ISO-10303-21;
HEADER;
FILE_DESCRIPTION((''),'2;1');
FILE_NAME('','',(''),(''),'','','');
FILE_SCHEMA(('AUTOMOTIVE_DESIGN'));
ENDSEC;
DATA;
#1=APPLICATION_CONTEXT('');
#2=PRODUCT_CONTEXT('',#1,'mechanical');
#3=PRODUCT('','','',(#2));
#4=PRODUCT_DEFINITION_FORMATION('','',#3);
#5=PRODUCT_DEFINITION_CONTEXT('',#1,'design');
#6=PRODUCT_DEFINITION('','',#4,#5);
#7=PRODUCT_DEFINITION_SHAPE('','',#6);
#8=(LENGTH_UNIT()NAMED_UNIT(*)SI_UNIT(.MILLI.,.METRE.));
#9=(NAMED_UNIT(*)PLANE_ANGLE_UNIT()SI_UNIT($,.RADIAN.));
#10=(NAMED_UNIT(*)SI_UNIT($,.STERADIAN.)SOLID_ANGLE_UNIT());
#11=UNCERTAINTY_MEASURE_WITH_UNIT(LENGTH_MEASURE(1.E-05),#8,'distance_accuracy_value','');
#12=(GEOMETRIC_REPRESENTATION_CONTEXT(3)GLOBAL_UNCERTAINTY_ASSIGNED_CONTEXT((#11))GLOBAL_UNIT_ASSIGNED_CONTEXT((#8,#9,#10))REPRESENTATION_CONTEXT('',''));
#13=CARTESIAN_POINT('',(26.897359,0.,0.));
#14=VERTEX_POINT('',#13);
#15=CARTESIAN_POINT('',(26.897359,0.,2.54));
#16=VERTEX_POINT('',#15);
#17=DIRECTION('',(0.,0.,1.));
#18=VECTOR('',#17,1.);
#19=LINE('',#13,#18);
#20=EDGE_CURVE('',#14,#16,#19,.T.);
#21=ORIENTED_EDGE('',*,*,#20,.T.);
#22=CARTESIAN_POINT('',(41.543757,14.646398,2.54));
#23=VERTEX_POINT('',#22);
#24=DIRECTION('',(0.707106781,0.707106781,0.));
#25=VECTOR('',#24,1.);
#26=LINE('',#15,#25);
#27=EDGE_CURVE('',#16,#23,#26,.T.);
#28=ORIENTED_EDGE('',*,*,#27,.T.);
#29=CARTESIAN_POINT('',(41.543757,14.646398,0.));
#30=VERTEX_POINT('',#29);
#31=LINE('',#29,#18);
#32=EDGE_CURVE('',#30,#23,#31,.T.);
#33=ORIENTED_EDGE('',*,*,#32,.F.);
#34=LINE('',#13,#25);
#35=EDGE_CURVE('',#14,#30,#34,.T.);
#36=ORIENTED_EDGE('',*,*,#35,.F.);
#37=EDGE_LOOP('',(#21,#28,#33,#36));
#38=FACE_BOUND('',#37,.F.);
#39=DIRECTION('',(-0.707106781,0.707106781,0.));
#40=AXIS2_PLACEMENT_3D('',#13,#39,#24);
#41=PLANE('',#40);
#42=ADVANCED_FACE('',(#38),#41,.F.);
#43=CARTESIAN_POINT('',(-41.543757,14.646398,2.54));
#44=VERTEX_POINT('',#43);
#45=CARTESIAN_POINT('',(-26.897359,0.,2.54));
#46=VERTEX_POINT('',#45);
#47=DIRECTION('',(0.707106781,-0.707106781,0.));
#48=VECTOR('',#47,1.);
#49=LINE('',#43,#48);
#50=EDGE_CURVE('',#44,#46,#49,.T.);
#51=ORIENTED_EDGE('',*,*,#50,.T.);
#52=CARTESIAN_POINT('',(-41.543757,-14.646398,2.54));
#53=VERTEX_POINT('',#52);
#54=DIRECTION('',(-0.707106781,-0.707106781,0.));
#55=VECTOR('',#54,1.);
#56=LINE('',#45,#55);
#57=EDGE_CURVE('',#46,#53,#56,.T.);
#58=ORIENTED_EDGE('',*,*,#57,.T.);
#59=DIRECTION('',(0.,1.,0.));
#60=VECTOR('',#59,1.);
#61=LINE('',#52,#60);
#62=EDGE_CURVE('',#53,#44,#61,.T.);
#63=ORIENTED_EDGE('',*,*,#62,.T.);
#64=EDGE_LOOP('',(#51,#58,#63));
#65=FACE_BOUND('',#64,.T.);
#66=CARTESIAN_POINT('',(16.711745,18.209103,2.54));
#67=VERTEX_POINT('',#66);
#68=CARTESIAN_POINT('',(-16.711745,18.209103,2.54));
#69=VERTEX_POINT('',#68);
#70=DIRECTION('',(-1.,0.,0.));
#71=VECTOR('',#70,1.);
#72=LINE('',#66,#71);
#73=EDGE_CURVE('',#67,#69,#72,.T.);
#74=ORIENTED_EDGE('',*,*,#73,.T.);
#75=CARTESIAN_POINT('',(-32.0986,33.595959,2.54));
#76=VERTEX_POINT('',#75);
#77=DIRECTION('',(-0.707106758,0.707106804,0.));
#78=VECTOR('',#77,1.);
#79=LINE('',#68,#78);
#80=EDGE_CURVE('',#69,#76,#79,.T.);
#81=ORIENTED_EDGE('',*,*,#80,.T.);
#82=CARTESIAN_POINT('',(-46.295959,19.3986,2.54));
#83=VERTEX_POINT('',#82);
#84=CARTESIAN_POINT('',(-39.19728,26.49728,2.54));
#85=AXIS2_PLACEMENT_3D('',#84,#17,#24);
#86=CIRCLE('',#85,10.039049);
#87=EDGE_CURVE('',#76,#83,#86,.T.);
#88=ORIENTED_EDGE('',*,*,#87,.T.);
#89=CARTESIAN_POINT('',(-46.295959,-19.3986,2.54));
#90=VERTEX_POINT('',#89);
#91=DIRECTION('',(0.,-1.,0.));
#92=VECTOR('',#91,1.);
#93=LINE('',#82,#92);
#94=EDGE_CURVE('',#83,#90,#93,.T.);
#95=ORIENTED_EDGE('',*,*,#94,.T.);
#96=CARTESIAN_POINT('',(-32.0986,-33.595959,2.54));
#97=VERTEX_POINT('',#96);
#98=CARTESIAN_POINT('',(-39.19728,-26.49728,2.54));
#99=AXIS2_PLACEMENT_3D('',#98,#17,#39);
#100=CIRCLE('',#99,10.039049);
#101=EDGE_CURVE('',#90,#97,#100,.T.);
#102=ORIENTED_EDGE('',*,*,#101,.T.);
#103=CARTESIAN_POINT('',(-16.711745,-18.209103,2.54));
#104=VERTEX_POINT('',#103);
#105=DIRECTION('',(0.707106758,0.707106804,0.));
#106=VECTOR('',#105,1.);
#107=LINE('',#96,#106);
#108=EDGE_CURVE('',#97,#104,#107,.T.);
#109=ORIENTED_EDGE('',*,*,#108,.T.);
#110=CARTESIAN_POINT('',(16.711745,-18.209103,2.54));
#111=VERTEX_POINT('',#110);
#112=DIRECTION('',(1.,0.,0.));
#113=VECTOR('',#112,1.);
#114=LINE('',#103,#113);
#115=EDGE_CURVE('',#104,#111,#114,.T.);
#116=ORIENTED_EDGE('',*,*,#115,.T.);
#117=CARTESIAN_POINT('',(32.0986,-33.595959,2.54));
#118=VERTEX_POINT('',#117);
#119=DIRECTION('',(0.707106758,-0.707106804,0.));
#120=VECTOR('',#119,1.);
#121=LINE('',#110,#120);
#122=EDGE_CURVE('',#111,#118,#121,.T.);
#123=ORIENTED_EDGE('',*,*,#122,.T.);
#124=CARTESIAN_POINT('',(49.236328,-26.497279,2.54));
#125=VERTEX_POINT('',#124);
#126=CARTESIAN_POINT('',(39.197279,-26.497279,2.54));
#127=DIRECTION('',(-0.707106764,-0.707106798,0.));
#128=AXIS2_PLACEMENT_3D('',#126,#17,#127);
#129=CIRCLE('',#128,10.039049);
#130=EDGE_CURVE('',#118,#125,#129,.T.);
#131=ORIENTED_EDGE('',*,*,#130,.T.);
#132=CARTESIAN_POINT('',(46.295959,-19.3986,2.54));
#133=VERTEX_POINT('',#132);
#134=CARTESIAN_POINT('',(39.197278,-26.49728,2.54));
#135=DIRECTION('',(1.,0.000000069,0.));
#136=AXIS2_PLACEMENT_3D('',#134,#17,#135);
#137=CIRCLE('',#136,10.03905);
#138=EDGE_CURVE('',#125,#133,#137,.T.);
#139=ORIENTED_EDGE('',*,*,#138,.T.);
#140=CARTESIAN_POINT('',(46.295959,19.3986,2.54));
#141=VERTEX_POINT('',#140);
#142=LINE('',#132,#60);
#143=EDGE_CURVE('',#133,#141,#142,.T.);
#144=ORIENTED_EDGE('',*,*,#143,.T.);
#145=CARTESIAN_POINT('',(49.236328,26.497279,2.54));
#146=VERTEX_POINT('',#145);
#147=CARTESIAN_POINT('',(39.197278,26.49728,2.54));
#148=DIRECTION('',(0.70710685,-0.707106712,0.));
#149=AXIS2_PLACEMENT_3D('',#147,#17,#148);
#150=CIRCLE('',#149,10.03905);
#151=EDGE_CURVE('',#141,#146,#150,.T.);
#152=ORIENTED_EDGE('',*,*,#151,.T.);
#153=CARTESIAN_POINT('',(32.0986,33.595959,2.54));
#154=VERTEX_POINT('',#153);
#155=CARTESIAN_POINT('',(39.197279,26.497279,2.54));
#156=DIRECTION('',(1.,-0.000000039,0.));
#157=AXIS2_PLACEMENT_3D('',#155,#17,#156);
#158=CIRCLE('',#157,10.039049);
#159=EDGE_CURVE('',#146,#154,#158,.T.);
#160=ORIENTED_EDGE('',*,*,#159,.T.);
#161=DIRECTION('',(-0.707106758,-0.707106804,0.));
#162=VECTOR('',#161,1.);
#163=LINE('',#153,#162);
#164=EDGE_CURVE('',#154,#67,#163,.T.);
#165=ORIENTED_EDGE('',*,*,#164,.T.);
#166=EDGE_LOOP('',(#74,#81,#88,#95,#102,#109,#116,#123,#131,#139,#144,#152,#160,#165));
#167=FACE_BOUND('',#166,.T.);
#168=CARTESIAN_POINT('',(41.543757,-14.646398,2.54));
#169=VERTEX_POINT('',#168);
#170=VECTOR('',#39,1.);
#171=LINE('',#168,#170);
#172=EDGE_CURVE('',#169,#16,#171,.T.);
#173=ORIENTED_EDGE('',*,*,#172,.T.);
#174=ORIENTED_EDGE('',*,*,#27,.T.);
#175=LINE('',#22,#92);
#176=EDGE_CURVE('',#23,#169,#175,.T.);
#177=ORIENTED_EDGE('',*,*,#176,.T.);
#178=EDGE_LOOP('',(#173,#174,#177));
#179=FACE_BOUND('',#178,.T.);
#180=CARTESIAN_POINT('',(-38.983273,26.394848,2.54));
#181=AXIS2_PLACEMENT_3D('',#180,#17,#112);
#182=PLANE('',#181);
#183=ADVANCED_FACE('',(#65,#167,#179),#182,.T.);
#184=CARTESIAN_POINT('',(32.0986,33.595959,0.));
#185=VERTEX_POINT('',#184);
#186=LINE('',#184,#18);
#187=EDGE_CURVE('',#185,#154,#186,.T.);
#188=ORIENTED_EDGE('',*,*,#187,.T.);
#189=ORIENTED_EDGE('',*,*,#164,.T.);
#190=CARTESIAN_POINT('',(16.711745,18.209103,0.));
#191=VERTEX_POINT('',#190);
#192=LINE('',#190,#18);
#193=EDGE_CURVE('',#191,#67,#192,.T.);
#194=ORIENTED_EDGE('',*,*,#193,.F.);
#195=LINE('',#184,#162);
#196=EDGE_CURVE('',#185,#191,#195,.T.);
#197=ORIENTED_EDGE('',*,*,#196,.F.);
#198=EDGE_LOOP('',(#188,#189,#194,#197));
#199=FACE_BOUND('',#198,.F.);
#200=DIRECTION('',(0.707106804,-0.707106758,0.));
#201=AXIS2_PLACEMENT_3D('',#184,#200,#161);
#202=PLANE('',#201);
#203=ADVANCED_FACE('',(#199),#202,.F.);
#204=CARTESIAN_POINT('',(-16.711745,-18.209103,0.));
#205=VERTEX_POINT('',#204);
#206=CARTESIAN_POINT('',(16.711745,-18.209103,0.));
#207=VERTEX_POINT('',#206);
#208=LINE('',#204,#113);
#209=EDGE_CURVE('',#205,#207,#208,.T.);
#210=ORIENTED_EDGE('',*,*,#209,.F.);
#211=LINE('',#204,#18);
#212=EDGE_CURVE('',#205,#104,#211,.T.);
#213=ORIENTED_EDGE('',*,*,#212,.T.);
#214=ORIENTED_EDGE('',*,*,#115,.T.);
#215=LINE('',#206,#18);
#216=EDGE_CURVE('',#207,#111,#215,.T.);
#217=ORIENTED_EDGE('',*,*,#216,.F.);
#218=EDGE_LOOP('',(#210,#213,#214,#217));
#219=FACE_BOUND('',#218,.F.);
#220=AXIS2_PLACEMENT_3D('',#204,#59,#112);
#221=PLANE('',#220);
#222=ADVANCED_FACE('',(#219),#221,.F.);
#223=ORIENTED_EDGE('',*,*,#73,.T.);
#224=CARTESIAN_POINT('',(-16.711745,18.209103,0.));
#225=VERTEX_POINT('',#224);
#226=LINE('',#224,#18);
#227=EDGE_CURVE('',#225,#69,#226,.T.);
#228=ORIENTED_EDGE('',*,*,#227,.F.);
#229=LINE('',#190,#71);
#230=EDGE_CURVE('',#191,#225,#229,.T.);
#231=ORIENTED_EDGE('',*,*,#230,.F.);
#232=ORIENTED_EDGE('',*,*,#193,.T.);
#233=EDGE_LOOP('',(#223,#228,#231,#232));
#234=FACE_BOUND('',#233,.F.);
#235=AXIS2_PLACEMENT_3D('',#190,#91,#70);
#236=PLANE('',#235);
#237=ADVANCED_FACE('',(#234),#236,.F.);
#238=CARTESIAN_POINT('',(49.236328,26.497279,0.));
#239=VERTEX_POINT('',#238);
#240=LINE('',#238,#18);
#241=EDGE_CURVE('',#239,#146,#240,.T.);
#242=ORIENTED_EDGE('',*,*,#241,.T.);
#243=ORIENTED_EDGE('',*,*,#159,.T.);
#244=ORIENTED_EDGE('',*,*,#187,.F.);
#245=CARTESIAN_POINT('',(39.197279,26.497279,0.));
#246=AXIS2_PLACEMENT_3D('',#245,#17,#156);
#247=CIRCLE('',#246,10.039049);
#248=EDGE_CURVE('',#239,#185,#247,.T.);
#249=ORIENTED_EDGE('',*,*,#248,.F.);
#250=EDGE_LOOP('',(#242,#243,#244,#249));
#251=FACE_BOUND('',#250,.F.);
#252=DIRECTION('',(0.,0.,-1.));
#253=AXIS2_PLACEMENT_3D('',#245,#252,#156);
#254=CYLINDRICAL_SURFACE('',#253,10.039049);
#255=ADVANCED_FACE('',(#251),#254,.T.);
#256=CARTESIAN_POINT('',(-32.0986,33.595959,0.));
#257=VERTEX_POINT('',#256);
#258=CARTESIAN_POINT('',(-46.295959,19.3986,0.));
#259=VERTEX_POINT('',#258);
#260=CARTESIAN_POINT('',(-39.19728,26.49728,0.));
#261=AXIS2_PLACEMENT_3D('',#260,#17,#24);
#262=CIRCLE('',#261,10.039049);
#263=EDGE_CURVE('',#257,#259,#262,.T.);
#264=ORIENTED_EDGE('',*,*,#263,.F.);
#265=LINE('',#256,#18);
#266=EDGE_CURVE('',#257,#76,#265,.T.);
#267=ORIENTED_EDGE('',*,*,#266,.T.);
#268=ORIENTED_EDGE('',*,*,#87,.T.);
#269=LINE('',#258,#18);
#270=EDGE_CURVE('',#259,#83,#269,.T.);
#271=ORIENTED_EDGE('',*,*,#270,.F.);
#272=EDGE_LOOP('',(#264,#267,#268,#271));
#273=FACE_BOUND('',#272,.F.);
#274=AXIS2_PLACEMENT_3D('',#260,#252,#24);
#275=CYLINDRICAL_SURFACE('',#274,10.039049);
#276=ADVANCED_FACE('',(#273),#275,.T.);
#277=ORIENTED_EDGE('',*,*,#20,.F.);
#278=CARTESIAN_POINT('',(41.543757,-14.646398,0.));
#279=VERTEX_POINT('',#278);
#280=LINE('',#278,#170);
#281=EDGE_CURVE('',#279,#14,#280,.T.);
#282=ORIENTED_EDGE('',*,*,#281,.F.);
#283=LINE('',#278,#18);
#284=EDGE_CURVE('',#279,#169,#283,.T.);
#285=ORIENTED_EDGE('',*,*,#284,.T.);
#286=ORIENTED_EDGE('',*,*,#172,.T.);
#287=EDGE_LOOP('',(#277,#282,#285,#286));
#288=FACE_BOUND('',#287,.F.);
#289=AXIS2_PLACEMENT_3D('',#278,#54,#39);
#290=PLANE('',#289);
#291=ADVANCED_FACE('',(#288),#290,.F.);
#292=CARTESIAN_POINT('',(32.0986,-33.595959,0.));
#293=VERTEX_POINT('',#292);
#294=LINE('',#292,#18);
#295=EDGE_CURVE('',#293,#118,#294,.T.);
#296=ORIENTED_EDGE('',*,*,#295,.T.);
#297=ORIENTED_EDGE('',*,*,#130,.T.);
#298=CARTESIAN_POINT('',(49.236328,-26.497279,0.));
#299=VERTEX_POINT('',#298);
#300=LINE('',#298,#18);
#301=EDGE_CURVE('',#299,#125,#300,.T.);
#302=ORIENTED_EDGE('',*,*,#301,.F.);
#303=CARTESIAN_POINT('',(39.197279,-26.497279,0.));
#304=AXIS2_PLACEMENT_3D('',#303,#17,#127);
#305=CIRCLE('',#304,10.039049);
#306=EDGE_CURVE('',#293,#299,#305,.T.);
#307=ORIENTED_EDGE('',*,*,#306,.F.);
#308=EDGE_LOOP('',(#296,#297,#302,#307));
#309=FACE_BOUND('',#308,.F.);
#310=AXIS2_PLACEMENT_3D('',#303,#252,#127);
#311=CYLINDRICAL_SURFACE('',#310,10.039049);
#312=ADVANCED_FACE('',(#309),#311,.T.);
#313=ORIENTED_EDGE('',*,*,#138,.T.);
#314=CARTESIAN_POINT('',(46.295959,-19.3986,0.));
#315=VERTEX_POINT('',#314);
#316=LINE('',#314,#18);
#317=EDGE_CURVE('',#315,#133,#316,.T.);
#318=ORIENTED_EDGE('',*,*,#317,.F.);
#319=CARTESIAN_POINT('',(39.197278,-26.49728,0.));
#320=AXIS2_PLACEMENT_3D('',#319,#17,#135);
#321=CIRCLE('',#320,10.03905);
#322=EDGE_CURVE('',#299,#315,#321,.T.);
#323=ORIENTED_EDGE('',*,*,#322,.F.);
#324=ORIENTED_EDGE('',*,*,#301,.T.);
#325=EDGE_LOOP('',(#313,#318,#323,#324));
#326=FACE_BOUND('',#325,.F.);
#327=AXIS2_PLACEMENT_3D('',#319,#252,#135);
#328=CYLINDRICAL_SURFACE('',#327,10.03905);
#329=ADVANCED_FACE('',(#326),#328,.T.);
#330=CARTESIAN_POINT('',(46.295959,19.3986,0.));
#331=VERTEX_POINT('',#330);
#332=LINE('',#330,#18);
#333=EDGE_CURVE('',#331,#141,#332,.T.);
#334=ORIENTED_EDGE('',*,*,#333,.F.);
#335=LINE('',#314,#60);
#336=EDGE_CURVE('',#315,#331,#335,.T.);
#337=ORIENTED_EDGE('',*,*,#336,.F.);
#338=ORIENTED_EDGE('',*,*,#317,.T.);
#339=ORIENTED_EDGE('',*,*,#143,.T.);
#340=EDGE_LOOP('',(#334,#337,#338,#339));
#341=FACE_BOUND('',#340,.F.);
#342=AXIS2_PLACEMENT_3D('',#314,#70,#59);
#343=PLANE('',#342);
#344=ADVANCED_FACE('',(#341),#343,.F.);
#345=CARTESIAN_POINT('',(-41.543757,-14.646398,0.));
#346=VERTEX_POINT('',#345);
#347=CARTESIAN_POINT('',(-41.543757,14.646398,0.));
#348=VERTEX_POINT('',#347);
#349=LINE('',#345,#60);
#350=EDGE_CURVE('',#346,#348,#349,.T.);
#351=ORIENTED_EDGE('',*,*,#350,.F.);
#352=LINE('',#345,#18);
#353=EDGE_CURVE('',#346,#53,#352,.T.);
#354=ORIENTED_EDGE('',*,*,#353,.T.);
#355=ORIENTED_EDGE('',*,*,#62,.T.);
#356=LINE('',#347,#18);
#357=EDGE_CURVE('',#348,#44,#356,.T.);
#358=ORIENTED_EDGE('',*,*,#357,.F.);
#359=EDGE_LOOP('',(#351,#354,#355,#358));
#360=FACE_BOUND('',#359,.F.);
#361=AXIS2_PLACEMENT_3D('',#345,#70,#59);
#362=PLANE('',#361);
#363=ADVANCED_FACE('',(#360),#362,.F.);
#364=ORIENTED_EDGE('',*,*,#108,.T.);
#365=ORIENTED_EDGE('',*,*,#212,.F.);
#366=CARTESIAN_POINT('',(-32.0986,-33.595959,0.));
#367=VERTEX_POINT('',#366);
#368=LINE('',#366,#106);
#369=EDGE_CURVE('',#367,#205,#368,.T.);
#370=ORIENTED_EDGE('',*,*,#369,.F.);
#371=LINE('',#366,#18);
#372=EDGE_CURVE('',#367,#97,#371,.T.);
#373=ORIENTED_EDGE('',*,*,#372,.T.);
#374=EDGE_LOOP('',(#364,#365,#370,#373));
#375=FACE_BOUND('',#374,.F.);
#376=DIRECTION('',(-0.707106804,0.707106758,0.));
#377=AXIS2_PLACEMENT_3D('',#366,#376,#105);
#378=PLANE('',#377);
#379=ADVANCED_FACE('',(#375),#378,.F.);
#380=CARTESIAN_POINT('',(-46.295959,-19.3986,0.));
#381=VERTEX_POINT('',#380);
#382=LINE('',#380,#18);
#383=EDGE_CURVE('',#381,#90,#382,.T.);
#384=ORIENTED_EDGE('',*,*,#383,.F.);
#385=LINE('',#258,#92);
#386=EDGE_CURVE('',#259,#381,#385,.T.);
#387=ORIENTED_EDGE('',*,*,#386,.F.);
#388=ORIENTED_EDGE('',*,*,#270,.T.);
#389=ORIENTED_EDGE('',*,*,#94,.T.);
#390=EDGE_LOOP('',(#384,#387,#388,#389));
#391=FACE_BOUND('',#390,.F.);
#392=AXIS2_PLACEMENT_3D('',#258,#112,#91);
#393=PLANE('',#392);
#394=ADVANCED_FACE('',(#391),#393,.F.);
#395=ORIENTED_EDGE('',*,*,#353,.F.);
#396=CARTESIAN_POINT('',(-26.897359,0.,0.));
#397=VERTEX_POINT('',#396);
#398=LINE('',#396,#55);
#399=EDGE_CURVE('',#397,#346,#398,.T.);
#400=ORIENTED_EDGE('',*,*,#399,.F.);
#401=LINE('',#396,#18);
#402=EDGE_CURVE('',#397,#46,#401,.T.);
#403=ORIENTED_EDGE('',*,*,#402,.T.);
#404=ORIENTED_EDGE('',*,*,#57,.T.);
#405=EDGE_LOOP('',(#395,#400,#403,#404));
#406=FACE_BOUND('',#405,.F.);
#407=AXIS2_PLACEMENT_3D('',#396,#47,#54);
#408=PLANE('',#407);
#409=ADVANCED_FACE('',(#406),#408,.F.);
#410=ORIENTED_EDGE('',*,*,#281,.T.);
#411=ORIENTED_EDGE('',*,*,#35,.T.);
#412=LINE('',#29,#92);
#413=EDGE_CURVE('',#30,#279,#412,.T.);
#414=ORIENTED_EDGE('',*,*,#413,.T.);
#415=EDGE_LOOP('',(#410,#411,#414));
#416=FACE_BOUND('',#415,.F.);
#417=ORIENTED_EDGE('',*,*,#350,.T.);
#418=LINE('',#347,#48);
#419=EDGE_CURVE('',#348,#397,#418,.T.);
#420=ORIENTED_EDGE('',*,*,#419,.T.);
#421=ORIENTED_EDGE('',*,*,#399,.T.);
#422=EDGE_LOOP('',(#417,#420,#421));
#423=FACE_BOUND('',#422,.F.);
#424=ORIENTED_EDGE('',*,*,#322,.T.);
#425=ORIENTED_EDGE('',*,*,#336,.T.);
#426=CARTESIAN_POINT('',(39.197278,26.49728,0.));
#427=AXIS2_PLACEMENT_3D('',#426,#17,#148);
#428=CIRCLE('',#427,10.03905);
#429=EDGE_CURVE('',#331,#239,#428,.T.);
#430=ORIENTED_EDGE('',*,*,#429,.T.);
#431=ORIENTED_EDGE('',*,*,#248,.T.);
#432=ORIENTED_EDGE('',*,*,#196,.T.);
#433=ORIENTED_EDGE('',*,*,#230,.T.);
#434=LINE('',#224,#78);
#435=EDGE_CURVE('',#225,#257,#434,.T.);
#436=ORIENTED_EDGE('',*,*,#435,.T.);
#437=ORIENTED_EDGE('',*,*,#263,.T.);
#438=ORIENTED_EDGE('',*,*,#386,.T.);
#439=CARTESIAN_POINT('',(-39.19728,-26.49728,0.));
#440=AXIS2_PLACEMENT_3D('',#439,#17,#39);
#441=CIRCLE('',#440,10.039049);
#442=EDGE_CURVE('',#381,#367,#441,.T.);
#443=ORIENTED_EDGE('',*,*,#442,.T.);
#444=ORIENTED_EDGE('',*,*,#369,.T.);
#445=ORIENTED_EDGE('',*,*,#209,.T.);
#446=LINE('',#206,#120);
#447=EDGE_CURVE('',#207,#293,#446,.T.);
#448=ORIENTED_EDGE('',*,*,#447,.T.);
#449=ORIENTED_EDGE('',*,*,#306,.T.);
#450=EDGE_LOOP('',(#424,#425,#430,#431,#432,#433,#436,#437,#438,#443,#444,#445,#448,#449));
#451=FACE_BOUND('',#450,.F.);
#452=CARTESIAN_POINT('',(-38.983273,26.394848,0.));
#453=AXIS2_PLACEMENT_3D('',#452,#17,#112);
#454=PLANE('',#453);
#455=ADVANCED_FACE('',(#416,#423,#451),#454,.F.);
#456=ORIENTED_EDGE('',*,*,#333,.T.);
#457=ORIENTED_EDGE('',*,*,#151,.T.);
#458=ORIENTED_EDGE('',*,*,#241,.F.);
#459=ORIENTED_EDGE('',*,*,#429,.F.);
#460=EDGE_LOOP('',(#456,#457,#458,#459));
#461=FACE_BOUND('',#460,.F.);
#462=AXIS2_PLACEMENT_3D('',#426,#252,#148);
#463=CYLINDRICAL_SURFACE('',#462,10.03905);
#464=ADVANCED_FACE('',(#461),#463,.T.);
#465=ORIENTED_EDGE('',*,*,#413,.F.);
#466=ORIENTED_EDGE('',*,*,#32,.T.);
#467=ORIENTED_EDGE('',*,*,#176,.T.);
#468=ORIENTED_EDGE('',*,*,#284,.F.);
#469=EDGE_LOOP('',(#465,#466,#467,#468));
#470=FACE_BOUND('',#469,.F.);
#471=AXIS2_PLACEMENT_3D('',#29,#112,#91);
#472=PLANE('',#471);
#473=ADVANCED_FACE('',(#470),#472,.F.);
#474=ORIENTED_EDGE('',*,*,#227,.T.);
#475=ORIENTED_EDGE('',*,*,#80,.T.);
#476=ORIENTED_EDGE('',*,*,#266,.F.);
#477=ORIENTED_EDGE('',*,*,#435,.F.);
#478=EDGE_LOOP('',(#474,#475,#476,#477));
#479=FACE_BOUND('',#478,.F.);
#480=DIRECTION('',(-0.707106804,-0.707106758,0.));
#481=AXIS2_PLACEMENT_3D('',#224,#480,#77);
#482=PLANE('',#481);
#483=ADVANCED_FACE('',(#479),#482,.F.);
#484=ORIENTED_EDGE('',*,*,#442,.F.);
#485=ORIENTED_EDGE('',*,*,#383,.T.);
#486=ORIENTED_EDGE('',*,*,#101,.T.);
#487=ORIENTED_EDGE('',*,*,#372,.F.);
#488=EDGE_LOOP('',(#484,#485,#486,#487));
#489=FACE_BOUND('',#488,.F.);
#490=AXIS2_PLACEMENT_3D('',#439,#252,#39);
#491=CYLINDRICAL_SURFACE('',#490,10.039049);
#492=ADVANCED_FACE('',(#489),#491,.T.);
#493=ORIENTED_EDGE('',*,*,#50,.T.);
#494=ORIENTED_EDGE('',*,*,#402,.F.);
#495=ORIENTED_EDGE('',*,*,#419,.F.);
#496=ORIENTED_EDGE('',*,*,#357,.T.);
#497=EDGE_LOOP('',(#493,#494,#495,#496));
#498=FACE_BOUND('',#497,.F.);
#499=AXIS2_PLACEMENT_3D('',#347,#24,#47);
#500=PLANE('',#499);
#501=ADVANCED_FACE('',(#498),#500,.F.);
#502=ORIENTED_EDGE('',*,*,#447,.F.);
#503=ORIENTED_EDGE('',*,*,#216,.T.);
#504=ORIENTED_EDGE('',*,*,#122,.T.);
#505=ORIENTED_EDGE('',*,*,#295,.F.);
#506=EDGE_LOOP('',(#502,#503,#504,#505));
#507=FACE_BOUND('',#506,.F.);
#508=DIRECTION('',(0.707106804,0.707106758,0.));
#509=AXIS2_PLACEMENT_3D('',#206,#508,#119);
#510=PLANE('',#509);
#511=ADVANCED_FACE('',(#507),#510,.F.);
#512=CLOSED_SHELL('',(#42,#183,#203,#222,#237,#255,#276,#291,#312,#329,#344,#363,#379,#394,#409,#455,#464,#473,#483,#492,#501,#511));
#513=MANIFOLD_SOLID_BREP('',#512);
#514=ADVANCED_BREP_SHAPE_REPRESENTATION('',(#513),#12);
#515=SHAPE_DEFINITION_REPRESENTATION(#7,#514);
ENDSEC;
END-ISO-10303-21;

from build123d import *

# Parameters (mm, degrees)
F1_DEPTH = 2.54


with BuildPart() as f1:
    # F0 (on Top) → F1 (new body)
    with BuildSketch(Plane.XY):
        with BuildLine():
            ThreePointArc((-46.295959, 19.3986), (-35.355502, 17.222408), (-29.158231, 26.497279))
            ThreePointArc((-29.158231, 26.497279), (-29.922408, 30.339057), (-32.0986, 33.595959))
            ThreePointArc((-32.0986, 33.595959), (-46.295959, 33.595959), (-46.295959, 19.3986))
        make_face()
        with BuildLine():
            ThreePointArc((-32.0986, 33.595959), (-29.922408, 30.339057), (-29.158231, 26.497279))
            ThreePointArc((-29.158231, 26.497279), (-35.355502, 17.222408), (-46.295959, 19.3986))
            Line((-46.295959, 19.3986), (-46.295959, -19.3986))
            ThreePointArc((-46.295959, -19.3986), (-35.355502, -17.222408), (-29.158231, -26.497279))
            ThreePointArc((-29.158231, -26.497279), (-29.922408, -30.339057), (-32.0986, -33.595959))
            Line((-32.0986, -33.595959), (-16.711745, -18.209103))
            Line((-16.711745, -18.209103), (16.711745, -18.209103))
            Line((16.711745, -18.209103), (32.0986, -33.595959))
            ThreePointArc((32.0986, -33.595959), (32.0986, -19.3986), (46.295959, -19.3986))
            Line((46.295959, -19.3986), (46.295959, 19.3986))
            ThreePointArc((46.295959, 19.3986), (32.0986, 19.3986), (32.0986, 33.595959))
            Line((32.0986, 33.595959), (16.711745, 18.209103))
            Line((16.711745, 18.209103), (0, 18.209103))
            Line((0, 18.209103), (-16.711745, 18.209103))
            Line((-16.711745, 18.209103), (-32.0986, 33.595959))
        make_face()
        Polygon((-41.543757, -14.646398), (-41.543757, 14.646398), (-26.897359, 0), align=None, mode=Mode.SUBTRACT)
        Polygon((26.897359, 0), (41.543757, 14.646398), (41.543757, -14.646398), align=None, mode=Mode.SUBTRACT)
        with BuildLine():
            ThreePointArc((-29.158231, -26.497279), (-35.355502, -17.222408), (-46.295959, -19.3986))
            ThreePointArc((-46.295959, -19.3986), (-46.295959, -33.595959), (-32.0986, -33.595959))
            ThreePointArc((-32.0986, -33.595959), (-29.922408, -30.339057), (-29.158231, -26.497279))
        make_face()
        with BuildLine():
            ThreePointArc((49.236328, 26.497279), (43.039057, 35.772151), (32.0986, 33.595959))
            ThreePointArc((32.0986, 33.595959), (32.0986, 19.3986), (46.295959, 19.3986))
            ThreePointArc((46.295959, 19.3986), (48.472151, 22.655502), (49.236328, 26.497279))
        make_face()
        with BuildLine():
            ThreePointArc((46.295959, -19.3986), (32.0986, -19.3986), (32.0986, -33.595959))
            ThreePointArc((32.0986, -33.595959), (43.039057, -35.772151), (49.236328, -26.497279))
            ThreePointArc((49.236328, -26.497279), (48.472151, -22.655502), (46.295959, -19.3986))
        make_face()
    extrude(amount=F1_DEPTH)


solid = f1.part
